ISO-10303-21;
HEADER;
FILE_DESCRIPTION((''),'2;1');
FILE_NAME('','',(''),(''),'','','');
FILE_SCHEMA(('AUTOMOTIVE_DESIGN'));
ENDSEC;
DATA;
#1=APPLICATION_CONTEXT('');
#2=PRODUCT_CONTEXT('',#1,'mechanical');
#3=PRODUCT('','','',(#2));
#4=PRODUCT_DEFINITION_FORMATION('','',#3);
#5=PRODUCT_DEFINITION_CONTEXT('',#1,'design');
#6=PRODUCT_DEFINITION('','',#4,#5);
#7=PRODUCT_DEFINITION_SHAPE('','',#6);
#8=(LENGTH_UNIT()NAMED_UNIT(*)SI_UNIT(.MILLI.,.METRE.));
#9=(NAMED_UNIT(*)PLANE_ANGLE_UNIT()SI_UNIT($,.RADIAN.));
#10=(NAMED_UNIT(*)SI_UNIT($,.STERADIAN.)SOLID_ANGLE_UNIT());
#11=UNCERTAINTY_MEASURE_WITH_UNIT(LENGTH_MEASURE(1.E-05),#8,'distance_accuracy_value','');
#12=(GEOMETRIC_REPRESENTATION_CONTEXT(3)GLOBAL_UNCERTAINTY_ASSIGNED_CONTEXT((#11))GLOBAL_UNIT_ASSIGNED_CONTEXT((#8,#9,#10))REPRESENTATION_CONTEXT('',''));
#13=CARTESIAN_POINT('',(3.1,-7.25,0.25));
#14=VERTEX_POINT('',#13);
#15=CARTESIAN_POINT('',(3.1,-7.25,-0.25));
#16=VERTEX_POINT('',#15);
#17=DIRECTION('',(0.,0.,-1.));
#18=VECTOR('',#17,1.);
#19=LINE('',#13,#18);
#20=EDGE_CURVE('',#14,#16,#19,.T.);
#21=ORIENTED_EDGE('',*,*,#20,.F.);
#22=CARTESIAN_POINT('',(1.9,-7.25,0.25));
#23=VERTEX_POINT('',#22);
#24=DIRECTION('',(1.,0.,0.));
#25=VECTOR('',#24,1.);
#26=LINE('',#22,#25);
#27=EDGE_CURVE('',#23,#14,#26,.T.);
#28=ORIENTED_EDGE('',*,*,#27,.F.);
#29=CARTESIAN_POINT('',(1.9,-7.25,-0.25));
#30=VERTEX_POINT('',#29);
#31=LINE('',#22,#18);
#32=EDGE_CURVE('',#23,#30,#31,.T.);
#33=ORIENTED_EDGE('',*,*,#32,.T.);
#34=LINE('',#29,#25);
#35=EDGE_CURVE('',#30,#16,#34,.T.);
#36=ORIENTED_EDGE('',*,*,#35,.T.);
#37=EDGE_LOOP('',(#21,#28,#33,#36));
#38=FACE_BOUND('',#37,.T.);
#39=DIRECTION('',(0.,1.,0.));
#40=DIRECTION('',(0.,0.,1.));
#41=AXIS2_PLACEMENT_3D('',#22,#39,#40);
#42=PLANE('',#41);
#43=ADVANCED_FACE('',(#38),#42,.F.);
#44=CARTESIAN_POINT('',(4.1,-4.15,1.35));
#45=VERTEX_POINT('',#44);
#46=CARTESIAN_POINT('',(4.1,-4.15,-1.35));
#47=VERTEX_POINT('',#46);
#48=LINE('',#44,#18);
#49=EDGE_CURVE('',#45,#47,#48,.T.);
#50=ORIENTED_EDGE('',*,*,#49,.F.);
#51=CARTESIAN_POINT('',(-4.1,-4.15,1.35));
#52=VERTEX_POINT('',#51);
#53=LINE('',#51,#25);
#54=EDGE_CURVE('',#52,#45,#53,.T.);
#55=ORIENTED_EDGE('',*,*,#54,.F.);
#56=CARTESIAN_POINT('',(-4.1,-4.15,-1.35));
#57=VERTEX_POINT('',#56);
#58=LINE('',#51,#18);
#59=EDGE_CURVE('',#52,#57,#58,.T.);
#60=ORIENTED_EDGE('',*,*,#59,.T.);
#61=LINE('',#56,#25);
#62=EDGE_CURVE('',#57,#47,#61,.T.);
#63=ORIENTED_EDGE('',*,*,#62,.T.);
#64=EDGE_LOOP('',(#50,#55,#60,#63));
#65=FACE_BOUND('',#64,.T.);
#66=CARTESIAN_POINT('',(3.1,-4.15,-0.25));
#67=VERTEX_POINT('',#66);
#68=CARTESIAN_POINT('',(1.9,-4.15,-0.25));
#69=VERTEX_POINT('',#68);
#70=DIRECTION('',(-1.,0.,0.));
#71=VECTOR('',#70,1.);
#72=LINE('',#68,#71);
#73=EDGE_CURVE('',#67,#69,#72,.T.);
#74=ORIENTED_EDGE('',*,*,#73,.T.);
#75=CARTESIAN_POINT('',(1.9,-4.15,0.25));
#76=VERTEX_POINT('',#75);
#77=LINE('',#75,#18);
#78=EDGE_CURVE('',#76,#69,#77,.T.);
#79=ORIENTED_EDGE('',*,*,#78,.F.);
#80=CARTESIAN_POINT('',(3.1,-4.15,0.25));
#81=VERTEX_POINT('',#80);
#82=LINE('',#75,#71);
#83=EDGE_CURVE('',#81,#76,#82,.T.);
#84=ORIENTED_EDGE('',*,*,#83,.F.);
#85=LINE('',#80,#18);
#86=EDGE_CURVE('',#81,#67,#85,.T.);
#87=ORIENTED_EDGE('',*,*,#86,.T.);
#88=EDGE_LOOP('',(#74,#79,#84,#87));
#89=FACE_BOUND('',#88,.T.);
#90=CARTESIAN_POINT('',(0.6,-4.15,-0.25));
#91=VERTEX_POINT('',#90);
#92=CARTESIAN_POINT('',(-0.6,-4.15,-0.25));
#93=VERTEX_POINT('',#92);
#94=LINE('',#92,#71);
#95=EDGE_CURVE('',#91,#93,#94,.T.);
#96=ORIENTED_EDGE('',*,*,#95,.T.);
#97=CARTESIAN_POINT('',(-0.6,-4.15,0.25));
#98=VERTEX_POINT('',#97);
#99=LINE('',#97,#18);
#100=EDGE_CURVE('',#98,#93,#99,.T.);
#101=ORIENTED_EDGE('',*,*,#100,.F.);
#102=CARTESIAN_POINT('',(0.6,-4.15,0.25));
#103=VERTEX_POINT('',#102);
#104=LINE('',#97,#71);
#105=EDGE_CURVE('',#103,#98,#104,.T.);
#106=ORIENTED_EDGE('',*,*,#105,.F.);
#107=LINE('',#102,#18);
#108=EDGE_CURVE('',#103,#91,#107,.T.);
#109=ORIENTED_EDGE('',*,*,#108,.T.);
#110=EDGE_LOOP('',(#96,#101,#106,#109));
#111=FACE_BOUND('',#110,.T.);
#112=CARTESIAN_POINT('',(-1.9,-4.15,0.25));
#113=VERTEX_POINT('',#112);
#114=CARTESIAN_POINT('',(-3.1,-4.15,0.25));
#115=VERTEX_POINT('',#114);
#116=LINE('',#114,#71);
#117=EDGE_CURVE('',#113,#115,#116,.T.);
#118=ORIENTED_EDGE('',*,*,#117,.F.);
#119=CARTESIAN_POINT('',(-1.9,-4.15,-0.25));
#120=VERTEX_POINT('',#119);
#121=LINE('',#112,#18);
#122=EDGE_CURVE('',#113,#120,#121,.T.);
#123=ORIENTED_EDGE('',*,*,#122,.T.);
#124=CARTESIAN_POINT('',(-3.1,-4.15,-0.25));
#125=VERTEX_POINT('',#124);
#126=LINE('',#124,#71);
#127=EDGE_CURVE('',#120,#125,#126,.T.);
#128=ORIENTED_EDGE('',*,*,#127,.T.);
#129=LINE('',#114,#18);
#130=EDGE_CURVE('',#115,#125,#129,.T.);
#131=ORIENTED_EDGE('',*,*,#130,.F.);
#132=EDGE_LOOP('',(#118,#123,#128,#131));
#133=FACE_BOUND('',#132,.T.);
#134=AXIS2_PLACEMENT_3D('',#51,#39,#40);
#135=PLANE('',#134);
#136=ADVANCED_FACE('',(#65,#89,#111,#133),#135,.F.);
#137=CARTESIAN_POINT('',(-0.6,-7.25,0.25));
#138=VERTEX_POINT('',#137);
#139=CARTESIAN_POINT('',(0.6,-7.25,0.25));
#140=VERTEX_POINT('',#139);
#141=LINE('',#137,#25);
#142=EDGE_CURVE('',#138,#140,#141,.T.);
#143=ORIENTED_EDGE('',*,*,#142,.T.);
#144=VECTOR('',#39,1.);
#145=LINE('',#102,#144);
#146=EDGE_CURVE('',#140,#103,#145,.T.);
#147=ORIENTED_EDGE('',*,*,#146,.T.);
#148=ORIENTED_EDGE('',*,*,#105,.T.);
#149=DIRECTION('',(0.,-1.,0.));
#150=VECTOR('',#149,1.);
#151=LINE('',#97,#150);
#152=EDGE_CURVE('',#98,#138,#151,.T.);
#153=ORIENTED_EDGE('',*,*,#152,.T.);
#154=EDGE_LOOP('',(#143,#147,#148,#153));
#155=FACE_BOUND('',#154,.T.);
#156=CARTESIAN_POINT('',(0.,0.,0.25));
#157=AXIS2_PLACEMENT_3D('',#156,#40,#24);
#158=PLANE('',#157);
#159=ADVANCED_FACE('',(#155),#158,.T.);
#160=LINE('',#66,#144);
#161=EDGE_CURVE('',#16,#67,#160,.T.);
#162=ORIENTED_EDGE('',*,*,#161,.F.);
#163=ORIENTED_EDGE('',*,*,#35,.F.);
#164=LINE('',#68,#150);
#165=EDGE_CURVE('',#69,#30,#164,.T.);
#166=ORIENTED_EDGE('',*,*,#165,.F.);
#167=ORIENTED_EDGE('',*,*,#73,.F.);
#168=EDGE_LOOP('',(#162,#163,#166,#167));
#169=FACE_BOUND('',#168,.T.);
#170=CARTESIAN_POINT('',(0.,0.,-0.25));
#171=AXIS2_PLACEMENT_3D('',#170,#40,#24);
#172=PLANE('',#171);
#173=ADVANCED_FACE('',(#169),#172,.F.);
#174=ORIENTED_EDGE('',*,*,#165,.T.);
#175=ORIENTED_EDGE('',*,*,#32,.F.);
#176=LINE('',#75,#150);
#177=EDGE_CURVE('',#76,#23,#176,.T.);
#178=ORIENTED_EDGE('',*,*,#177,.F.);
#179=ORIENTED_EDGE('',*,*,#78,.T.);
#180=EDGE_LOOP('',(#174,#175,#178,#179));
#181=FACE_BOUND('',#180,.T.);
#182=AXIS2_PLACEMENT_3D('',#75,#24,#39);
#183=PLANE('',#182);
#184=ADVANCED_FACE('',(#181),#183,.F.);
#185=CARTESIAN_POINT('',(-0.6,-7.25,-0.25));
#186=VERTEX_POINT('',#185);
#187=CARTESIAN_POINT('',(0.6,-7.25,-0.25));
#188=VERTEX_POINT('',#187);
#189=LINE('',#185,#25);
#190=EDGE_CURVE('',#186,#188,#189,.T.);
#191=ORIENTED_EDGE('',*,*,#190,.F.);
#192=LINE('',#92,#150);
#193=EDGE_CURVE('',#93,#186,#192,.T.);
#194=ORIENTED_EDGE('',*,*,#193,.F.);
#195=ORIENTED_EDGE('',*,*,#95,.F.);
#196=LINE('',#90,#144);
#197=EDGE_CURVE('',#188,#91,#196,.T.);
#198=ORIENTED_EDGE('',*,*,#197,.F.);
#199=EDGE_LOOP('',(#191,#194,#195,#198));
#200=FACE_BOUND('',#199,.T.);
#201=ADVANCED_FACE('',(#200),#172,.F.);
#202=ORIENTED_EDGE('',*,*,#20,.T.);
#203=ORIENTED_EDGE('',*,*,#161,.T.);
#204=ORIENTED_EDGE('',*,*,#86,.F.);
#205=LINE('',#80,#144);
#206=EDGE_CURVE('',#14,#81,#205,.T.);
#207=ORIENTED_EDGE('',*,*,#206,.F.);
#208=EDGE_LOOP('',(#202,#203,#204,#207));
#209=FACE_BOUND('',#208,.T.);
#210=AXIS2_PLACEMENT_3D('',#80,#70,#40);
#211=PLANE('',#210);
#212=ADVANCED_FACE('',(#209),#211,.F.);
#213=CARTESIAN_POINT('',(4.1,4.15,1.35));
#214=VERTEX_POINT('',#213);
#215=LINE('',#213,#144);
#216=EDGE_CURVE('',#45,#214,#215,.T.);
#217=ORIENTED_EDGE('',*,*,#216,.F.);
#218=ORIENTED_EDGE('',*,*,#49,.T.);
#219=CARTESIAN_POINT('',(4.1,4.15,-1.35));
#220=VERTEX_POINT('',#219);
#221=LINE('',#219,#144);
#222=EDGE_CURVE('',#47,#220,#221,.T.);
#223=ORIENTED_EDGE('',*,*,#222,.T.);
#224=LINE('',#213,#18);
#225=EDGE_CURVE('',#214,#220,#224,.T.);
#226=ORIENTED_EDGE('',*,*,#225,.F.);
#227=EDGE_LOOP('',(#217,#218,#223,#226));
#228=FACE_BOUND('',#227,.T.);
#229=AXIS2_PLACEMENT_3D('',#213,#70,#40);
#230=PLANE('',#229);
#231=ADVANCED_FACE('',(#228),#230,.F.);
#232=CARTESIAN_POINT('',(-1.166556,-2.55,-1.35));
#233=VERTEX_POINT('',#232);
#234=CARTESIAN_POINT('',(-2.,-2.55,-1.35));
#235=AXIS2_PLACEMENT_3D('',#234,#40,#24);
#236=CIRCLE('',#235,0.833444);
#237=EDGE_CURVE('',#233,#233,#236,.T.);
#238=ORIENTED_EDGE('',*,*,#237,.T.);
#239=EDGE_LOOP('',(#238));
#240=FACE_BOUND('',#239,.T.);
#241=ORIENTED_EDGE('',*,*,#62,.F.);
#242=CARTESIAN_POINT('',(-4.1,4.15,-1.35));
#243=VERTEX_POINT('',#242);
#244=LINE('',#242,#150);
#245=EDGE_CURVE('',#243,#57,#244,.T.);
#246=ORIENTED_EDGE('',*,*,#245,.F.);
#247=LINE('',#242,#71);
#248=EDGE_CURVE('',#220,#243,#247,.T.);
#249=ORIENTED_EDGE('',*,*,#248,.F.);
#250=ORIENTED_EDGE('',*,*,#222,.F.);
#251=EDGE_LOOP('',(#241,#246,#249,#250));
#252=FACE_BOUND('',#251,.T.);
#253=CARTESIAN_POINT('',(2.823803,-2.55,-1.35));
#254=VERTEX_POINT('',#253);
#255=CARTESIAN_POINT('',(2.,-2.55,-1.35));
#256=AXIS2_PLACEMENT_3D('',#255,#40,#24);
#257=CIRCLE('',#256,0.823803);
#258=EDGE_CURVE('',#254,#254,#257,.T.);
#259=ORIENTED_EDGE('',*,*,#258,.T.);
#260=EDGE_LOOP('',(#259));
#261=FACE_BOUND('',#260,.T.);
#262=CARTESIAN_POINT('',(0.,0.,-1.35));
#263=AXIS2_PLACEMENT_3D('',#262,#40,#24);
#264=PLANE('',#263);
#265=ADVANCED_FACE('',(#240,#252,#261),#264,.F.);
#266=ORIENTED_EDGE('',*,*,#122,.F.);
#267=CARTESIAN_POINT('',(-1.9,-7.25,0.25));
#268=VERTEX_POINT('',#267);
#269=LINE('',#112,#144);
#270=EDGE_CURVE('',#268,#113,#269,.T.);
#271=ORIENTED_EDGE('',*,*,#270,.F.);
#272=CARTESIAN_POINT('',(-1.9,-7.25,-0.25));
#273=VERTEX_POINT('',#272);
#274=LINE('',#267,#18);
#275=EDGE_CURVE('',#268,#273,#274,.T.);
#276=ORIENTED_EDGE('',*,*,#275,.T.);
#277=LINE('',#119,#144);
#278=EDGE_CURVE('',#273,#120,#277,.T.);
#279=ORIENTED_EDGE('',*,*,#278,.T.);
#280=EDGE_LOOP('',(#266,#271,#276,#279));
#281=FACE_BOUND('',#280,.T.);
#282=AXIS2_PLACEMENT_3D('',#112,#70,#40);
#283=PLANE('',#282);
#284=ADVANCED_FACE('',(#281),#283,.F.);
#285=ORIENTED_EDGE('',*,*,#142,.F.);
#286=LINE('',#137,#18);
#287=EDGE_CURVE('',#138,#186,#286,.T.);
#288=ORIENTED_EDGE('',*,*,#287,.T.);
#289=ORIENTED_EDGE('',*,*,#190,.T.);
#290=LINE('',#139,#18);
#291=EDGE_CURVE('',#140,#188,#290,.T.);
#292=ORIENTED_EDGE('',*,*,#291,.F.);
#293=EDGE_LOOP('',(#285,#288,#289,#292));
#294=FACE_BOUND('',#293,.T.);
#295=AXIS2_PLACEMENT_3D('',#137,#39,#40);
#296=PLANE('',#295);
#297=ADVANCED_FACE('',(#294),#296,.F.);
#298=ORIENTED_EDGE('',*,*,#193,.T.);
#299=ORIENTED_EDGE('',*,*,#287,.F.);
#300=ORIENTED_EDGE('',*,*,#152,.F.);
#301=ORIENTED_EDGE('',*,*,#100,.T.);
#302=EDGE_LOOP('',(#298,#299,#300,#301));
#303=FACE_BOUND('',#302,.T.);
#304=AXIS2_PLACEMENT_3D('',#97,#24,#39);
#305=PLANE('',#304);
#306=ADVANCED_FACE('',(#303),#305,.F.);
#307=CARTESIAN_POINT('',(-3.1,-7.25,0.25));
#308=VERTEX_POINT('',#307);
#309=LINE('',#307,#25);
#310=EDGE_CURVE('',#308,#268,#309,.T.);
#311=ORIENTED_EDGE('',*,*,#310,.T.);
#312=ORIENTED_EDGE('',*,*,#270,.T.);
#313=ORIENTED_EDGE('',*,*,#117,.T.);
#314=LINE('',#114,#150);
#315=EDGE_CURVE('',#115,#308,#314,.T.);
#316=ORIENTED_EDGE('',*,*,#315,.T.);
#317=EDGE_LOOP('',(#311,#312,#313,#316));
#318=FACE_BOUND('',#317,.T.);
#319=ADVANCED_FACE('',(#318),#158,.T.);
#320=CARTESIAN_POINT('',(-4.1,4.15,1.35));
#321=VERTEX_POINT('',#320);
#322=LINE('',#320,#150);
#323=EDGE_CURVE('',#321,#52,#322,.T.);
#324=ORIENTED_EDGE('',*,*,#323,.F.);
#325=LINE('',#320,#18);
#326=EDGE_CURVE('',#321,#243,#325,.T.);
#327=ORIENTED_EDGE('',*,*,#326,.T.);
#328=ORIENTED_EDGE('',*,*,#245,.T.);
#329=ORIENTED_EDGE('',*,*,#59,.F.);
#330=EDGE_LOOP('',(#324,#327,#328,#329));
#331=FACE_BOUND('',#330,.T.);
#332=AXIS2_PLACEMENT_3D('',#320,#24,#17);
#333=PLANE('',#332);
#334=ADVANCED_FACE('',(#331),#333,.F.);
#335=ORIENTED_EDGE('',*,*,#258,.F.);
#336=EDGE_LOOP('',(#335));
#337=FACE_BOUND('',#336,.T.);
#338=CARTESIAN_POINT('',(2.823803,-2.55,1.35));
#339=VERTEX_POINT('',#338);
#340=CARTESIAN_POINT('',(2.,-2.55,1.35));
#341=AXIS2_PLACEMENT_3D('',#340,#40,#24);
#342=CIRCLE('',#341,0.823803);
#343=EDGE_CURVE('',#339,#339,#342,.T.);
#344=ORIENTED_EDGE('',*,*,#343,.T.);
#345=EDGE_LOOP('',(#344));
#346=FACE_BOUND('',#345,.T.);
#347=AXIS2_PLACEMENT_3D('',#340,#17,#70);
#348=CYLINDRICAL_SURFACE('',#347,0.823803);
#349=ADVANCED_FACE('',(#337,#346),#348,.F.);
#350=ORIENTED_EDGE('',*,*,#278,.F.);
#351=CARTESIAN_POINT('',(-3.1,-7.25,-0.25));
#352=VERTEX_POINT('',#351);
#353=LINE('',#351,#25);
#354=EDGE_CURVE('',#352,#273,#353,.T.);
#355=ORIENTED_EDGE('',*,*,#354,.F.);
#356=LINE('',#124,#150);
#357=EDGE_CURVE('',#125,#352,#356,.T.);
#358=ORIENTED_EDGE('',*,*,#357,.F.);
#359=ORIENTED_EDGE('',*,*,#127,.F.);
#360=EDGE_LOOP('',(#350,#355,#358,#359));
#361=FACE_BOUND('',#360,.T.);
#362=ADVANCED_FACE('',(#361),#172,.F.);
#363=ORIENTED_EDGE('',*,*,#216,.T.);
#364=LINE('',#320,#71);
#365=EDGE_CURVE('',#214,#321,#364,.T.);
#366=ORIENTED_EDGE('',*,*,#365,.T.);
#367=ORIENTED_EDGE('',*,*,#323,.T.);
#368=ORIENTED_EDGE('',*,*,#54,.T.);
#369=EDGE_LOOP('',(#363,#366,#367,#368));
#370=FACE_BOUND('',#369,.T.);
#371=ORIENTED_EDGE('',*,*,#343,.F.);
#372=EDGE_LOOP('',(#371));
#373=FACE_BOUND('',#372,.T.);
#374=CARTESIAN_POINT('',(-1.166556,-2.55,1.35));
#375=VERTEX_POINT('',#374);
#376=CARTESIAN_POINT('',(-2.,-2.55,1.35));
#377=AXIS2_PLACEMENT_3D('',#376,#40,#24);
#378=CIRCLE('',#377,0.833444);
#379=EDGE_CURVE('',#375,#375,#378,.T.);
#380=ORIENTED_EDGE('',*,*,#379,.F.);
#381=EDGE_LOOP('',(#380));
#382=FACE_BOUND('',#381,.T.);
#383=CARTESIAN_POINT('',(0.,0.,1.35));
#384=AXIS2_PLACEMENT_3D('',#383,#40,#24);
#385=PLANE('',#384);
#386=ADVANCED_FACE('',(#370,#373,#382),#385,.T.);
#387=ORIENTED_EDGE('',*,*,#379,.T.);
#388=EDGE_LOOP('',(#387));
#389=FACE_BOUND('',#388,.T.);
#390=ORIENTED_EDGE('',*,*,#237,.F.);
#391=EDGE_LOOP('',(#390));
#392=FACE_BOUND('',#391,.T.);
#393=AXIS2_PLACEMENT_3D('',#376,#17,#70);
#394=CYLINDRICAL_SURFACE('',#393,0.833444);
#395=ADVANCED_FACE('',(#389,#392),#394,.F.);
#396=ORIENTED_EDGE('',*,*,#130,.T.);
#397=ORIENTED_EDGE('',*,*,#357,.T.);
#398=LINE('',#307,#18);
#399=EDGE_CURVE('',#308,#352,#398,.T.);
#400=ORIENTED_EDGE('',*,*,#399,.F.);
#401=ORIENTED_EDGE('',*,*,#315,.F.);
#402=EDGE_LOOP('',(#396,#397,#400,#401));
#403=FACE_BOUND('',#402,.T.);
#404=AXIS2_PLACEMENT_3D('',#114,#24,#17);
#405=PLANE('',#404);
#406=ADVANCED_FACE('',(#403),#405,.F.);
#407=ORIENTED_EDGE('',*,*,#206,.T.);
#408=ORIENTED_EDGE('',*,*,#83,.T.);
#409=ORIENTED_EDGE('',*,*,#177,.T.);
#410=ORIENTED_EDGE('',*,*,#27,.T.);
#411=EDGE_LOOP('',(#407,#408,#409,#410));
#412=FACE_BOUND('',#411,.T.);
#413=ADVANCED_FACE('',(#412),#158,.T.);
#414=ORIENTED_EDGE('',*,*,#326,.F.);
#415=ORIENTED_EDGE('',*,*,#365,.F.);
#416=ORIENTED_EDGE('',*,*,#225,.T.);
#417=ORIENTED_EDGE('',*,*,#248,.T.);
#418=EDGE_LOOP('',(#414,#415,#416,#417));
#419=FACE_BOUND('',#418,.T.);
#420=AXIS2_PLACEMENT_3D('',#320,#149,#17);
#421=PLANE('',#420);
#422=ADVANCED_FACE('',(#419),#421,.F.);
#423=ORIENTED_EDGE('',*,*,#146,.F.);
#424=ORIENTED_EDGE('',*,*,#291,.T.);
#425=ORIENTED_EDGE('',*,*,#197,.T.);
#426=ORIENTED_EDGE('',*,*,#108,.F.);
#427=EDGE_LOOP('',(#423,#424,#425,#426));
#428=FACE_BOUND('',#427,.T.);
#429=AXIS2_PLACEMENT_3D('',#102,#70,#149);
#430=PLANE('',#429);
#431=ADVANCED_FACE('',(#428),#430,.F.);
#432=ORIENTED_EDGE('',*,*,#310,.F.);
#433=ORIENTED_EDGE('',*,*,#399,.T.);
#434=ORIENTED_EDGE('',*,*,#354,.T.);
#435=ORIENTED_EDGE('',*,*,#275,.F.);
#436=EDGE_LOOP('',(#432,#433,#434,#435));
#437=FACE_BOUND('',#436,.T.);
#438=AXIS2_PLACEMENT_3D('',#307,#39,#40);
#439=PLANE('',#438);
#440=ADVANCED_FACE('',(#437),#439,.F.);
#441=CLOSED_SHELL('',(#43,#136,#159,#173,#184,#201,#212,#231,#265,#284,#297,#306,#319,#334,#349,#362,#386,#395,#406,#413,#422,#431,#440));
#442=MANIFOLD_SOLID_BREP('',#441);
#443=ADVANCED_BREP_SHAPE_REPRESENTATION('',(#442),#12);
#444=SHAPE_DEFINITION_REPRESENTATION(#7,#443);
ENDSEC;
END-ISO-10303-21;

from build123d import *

# Parameters (mm, degrees)
SKETCH2_W           = 8.2
SKETCH2_H           = 8.3
SKETCH2_R           = 0.833443519
SKETCH2_R_2         = 0.823803164
BOSS_EXTRUDE1_DEPTH = 1.35
SKETCH3_W           = 1.2
SKETCH3_H           = 3.1
BOSS_EXTRUDE2_DEPTH = 0.25


with BuildPart() as part:
    # Sketch2 → Boss-Extrude1 (new body, symmetric)
    with BuildSketch(Plane.XY):
        Rectangle(SKETCH2_W, SKETCH2_H)
        with Locations((-2, -2.55)):
            Circle(SKETCH2_R, mode=Mode.SUBTRACT)
        with Locations((2, -2.55)):
            Circle(SKETCH2_R_2, mode=Mode.SUBTRACT)
    extrude(amount=BOSS_EXTRUDE1_DEPTH, both=True)

    # Sketch3 → Boss-Extrude2 (add, symmetric)
    with BuildSketch(Plane.XY):
        with Locations((0, -5.7)):
            Rectangle(SKETCH3_W, SKETCH3_H)
        with Locations((2.5, -5.7)):
            Rectangle(SKETCH3_W, SKETCH3_H)
        with Locations((-2.5, -5.7)):
            Rectangle(SKETCH3_W, SKETCH3_H)
    extrude(amount=BOSS_EXTRUDE2_DEPTH, both=True)


solid = part.part
